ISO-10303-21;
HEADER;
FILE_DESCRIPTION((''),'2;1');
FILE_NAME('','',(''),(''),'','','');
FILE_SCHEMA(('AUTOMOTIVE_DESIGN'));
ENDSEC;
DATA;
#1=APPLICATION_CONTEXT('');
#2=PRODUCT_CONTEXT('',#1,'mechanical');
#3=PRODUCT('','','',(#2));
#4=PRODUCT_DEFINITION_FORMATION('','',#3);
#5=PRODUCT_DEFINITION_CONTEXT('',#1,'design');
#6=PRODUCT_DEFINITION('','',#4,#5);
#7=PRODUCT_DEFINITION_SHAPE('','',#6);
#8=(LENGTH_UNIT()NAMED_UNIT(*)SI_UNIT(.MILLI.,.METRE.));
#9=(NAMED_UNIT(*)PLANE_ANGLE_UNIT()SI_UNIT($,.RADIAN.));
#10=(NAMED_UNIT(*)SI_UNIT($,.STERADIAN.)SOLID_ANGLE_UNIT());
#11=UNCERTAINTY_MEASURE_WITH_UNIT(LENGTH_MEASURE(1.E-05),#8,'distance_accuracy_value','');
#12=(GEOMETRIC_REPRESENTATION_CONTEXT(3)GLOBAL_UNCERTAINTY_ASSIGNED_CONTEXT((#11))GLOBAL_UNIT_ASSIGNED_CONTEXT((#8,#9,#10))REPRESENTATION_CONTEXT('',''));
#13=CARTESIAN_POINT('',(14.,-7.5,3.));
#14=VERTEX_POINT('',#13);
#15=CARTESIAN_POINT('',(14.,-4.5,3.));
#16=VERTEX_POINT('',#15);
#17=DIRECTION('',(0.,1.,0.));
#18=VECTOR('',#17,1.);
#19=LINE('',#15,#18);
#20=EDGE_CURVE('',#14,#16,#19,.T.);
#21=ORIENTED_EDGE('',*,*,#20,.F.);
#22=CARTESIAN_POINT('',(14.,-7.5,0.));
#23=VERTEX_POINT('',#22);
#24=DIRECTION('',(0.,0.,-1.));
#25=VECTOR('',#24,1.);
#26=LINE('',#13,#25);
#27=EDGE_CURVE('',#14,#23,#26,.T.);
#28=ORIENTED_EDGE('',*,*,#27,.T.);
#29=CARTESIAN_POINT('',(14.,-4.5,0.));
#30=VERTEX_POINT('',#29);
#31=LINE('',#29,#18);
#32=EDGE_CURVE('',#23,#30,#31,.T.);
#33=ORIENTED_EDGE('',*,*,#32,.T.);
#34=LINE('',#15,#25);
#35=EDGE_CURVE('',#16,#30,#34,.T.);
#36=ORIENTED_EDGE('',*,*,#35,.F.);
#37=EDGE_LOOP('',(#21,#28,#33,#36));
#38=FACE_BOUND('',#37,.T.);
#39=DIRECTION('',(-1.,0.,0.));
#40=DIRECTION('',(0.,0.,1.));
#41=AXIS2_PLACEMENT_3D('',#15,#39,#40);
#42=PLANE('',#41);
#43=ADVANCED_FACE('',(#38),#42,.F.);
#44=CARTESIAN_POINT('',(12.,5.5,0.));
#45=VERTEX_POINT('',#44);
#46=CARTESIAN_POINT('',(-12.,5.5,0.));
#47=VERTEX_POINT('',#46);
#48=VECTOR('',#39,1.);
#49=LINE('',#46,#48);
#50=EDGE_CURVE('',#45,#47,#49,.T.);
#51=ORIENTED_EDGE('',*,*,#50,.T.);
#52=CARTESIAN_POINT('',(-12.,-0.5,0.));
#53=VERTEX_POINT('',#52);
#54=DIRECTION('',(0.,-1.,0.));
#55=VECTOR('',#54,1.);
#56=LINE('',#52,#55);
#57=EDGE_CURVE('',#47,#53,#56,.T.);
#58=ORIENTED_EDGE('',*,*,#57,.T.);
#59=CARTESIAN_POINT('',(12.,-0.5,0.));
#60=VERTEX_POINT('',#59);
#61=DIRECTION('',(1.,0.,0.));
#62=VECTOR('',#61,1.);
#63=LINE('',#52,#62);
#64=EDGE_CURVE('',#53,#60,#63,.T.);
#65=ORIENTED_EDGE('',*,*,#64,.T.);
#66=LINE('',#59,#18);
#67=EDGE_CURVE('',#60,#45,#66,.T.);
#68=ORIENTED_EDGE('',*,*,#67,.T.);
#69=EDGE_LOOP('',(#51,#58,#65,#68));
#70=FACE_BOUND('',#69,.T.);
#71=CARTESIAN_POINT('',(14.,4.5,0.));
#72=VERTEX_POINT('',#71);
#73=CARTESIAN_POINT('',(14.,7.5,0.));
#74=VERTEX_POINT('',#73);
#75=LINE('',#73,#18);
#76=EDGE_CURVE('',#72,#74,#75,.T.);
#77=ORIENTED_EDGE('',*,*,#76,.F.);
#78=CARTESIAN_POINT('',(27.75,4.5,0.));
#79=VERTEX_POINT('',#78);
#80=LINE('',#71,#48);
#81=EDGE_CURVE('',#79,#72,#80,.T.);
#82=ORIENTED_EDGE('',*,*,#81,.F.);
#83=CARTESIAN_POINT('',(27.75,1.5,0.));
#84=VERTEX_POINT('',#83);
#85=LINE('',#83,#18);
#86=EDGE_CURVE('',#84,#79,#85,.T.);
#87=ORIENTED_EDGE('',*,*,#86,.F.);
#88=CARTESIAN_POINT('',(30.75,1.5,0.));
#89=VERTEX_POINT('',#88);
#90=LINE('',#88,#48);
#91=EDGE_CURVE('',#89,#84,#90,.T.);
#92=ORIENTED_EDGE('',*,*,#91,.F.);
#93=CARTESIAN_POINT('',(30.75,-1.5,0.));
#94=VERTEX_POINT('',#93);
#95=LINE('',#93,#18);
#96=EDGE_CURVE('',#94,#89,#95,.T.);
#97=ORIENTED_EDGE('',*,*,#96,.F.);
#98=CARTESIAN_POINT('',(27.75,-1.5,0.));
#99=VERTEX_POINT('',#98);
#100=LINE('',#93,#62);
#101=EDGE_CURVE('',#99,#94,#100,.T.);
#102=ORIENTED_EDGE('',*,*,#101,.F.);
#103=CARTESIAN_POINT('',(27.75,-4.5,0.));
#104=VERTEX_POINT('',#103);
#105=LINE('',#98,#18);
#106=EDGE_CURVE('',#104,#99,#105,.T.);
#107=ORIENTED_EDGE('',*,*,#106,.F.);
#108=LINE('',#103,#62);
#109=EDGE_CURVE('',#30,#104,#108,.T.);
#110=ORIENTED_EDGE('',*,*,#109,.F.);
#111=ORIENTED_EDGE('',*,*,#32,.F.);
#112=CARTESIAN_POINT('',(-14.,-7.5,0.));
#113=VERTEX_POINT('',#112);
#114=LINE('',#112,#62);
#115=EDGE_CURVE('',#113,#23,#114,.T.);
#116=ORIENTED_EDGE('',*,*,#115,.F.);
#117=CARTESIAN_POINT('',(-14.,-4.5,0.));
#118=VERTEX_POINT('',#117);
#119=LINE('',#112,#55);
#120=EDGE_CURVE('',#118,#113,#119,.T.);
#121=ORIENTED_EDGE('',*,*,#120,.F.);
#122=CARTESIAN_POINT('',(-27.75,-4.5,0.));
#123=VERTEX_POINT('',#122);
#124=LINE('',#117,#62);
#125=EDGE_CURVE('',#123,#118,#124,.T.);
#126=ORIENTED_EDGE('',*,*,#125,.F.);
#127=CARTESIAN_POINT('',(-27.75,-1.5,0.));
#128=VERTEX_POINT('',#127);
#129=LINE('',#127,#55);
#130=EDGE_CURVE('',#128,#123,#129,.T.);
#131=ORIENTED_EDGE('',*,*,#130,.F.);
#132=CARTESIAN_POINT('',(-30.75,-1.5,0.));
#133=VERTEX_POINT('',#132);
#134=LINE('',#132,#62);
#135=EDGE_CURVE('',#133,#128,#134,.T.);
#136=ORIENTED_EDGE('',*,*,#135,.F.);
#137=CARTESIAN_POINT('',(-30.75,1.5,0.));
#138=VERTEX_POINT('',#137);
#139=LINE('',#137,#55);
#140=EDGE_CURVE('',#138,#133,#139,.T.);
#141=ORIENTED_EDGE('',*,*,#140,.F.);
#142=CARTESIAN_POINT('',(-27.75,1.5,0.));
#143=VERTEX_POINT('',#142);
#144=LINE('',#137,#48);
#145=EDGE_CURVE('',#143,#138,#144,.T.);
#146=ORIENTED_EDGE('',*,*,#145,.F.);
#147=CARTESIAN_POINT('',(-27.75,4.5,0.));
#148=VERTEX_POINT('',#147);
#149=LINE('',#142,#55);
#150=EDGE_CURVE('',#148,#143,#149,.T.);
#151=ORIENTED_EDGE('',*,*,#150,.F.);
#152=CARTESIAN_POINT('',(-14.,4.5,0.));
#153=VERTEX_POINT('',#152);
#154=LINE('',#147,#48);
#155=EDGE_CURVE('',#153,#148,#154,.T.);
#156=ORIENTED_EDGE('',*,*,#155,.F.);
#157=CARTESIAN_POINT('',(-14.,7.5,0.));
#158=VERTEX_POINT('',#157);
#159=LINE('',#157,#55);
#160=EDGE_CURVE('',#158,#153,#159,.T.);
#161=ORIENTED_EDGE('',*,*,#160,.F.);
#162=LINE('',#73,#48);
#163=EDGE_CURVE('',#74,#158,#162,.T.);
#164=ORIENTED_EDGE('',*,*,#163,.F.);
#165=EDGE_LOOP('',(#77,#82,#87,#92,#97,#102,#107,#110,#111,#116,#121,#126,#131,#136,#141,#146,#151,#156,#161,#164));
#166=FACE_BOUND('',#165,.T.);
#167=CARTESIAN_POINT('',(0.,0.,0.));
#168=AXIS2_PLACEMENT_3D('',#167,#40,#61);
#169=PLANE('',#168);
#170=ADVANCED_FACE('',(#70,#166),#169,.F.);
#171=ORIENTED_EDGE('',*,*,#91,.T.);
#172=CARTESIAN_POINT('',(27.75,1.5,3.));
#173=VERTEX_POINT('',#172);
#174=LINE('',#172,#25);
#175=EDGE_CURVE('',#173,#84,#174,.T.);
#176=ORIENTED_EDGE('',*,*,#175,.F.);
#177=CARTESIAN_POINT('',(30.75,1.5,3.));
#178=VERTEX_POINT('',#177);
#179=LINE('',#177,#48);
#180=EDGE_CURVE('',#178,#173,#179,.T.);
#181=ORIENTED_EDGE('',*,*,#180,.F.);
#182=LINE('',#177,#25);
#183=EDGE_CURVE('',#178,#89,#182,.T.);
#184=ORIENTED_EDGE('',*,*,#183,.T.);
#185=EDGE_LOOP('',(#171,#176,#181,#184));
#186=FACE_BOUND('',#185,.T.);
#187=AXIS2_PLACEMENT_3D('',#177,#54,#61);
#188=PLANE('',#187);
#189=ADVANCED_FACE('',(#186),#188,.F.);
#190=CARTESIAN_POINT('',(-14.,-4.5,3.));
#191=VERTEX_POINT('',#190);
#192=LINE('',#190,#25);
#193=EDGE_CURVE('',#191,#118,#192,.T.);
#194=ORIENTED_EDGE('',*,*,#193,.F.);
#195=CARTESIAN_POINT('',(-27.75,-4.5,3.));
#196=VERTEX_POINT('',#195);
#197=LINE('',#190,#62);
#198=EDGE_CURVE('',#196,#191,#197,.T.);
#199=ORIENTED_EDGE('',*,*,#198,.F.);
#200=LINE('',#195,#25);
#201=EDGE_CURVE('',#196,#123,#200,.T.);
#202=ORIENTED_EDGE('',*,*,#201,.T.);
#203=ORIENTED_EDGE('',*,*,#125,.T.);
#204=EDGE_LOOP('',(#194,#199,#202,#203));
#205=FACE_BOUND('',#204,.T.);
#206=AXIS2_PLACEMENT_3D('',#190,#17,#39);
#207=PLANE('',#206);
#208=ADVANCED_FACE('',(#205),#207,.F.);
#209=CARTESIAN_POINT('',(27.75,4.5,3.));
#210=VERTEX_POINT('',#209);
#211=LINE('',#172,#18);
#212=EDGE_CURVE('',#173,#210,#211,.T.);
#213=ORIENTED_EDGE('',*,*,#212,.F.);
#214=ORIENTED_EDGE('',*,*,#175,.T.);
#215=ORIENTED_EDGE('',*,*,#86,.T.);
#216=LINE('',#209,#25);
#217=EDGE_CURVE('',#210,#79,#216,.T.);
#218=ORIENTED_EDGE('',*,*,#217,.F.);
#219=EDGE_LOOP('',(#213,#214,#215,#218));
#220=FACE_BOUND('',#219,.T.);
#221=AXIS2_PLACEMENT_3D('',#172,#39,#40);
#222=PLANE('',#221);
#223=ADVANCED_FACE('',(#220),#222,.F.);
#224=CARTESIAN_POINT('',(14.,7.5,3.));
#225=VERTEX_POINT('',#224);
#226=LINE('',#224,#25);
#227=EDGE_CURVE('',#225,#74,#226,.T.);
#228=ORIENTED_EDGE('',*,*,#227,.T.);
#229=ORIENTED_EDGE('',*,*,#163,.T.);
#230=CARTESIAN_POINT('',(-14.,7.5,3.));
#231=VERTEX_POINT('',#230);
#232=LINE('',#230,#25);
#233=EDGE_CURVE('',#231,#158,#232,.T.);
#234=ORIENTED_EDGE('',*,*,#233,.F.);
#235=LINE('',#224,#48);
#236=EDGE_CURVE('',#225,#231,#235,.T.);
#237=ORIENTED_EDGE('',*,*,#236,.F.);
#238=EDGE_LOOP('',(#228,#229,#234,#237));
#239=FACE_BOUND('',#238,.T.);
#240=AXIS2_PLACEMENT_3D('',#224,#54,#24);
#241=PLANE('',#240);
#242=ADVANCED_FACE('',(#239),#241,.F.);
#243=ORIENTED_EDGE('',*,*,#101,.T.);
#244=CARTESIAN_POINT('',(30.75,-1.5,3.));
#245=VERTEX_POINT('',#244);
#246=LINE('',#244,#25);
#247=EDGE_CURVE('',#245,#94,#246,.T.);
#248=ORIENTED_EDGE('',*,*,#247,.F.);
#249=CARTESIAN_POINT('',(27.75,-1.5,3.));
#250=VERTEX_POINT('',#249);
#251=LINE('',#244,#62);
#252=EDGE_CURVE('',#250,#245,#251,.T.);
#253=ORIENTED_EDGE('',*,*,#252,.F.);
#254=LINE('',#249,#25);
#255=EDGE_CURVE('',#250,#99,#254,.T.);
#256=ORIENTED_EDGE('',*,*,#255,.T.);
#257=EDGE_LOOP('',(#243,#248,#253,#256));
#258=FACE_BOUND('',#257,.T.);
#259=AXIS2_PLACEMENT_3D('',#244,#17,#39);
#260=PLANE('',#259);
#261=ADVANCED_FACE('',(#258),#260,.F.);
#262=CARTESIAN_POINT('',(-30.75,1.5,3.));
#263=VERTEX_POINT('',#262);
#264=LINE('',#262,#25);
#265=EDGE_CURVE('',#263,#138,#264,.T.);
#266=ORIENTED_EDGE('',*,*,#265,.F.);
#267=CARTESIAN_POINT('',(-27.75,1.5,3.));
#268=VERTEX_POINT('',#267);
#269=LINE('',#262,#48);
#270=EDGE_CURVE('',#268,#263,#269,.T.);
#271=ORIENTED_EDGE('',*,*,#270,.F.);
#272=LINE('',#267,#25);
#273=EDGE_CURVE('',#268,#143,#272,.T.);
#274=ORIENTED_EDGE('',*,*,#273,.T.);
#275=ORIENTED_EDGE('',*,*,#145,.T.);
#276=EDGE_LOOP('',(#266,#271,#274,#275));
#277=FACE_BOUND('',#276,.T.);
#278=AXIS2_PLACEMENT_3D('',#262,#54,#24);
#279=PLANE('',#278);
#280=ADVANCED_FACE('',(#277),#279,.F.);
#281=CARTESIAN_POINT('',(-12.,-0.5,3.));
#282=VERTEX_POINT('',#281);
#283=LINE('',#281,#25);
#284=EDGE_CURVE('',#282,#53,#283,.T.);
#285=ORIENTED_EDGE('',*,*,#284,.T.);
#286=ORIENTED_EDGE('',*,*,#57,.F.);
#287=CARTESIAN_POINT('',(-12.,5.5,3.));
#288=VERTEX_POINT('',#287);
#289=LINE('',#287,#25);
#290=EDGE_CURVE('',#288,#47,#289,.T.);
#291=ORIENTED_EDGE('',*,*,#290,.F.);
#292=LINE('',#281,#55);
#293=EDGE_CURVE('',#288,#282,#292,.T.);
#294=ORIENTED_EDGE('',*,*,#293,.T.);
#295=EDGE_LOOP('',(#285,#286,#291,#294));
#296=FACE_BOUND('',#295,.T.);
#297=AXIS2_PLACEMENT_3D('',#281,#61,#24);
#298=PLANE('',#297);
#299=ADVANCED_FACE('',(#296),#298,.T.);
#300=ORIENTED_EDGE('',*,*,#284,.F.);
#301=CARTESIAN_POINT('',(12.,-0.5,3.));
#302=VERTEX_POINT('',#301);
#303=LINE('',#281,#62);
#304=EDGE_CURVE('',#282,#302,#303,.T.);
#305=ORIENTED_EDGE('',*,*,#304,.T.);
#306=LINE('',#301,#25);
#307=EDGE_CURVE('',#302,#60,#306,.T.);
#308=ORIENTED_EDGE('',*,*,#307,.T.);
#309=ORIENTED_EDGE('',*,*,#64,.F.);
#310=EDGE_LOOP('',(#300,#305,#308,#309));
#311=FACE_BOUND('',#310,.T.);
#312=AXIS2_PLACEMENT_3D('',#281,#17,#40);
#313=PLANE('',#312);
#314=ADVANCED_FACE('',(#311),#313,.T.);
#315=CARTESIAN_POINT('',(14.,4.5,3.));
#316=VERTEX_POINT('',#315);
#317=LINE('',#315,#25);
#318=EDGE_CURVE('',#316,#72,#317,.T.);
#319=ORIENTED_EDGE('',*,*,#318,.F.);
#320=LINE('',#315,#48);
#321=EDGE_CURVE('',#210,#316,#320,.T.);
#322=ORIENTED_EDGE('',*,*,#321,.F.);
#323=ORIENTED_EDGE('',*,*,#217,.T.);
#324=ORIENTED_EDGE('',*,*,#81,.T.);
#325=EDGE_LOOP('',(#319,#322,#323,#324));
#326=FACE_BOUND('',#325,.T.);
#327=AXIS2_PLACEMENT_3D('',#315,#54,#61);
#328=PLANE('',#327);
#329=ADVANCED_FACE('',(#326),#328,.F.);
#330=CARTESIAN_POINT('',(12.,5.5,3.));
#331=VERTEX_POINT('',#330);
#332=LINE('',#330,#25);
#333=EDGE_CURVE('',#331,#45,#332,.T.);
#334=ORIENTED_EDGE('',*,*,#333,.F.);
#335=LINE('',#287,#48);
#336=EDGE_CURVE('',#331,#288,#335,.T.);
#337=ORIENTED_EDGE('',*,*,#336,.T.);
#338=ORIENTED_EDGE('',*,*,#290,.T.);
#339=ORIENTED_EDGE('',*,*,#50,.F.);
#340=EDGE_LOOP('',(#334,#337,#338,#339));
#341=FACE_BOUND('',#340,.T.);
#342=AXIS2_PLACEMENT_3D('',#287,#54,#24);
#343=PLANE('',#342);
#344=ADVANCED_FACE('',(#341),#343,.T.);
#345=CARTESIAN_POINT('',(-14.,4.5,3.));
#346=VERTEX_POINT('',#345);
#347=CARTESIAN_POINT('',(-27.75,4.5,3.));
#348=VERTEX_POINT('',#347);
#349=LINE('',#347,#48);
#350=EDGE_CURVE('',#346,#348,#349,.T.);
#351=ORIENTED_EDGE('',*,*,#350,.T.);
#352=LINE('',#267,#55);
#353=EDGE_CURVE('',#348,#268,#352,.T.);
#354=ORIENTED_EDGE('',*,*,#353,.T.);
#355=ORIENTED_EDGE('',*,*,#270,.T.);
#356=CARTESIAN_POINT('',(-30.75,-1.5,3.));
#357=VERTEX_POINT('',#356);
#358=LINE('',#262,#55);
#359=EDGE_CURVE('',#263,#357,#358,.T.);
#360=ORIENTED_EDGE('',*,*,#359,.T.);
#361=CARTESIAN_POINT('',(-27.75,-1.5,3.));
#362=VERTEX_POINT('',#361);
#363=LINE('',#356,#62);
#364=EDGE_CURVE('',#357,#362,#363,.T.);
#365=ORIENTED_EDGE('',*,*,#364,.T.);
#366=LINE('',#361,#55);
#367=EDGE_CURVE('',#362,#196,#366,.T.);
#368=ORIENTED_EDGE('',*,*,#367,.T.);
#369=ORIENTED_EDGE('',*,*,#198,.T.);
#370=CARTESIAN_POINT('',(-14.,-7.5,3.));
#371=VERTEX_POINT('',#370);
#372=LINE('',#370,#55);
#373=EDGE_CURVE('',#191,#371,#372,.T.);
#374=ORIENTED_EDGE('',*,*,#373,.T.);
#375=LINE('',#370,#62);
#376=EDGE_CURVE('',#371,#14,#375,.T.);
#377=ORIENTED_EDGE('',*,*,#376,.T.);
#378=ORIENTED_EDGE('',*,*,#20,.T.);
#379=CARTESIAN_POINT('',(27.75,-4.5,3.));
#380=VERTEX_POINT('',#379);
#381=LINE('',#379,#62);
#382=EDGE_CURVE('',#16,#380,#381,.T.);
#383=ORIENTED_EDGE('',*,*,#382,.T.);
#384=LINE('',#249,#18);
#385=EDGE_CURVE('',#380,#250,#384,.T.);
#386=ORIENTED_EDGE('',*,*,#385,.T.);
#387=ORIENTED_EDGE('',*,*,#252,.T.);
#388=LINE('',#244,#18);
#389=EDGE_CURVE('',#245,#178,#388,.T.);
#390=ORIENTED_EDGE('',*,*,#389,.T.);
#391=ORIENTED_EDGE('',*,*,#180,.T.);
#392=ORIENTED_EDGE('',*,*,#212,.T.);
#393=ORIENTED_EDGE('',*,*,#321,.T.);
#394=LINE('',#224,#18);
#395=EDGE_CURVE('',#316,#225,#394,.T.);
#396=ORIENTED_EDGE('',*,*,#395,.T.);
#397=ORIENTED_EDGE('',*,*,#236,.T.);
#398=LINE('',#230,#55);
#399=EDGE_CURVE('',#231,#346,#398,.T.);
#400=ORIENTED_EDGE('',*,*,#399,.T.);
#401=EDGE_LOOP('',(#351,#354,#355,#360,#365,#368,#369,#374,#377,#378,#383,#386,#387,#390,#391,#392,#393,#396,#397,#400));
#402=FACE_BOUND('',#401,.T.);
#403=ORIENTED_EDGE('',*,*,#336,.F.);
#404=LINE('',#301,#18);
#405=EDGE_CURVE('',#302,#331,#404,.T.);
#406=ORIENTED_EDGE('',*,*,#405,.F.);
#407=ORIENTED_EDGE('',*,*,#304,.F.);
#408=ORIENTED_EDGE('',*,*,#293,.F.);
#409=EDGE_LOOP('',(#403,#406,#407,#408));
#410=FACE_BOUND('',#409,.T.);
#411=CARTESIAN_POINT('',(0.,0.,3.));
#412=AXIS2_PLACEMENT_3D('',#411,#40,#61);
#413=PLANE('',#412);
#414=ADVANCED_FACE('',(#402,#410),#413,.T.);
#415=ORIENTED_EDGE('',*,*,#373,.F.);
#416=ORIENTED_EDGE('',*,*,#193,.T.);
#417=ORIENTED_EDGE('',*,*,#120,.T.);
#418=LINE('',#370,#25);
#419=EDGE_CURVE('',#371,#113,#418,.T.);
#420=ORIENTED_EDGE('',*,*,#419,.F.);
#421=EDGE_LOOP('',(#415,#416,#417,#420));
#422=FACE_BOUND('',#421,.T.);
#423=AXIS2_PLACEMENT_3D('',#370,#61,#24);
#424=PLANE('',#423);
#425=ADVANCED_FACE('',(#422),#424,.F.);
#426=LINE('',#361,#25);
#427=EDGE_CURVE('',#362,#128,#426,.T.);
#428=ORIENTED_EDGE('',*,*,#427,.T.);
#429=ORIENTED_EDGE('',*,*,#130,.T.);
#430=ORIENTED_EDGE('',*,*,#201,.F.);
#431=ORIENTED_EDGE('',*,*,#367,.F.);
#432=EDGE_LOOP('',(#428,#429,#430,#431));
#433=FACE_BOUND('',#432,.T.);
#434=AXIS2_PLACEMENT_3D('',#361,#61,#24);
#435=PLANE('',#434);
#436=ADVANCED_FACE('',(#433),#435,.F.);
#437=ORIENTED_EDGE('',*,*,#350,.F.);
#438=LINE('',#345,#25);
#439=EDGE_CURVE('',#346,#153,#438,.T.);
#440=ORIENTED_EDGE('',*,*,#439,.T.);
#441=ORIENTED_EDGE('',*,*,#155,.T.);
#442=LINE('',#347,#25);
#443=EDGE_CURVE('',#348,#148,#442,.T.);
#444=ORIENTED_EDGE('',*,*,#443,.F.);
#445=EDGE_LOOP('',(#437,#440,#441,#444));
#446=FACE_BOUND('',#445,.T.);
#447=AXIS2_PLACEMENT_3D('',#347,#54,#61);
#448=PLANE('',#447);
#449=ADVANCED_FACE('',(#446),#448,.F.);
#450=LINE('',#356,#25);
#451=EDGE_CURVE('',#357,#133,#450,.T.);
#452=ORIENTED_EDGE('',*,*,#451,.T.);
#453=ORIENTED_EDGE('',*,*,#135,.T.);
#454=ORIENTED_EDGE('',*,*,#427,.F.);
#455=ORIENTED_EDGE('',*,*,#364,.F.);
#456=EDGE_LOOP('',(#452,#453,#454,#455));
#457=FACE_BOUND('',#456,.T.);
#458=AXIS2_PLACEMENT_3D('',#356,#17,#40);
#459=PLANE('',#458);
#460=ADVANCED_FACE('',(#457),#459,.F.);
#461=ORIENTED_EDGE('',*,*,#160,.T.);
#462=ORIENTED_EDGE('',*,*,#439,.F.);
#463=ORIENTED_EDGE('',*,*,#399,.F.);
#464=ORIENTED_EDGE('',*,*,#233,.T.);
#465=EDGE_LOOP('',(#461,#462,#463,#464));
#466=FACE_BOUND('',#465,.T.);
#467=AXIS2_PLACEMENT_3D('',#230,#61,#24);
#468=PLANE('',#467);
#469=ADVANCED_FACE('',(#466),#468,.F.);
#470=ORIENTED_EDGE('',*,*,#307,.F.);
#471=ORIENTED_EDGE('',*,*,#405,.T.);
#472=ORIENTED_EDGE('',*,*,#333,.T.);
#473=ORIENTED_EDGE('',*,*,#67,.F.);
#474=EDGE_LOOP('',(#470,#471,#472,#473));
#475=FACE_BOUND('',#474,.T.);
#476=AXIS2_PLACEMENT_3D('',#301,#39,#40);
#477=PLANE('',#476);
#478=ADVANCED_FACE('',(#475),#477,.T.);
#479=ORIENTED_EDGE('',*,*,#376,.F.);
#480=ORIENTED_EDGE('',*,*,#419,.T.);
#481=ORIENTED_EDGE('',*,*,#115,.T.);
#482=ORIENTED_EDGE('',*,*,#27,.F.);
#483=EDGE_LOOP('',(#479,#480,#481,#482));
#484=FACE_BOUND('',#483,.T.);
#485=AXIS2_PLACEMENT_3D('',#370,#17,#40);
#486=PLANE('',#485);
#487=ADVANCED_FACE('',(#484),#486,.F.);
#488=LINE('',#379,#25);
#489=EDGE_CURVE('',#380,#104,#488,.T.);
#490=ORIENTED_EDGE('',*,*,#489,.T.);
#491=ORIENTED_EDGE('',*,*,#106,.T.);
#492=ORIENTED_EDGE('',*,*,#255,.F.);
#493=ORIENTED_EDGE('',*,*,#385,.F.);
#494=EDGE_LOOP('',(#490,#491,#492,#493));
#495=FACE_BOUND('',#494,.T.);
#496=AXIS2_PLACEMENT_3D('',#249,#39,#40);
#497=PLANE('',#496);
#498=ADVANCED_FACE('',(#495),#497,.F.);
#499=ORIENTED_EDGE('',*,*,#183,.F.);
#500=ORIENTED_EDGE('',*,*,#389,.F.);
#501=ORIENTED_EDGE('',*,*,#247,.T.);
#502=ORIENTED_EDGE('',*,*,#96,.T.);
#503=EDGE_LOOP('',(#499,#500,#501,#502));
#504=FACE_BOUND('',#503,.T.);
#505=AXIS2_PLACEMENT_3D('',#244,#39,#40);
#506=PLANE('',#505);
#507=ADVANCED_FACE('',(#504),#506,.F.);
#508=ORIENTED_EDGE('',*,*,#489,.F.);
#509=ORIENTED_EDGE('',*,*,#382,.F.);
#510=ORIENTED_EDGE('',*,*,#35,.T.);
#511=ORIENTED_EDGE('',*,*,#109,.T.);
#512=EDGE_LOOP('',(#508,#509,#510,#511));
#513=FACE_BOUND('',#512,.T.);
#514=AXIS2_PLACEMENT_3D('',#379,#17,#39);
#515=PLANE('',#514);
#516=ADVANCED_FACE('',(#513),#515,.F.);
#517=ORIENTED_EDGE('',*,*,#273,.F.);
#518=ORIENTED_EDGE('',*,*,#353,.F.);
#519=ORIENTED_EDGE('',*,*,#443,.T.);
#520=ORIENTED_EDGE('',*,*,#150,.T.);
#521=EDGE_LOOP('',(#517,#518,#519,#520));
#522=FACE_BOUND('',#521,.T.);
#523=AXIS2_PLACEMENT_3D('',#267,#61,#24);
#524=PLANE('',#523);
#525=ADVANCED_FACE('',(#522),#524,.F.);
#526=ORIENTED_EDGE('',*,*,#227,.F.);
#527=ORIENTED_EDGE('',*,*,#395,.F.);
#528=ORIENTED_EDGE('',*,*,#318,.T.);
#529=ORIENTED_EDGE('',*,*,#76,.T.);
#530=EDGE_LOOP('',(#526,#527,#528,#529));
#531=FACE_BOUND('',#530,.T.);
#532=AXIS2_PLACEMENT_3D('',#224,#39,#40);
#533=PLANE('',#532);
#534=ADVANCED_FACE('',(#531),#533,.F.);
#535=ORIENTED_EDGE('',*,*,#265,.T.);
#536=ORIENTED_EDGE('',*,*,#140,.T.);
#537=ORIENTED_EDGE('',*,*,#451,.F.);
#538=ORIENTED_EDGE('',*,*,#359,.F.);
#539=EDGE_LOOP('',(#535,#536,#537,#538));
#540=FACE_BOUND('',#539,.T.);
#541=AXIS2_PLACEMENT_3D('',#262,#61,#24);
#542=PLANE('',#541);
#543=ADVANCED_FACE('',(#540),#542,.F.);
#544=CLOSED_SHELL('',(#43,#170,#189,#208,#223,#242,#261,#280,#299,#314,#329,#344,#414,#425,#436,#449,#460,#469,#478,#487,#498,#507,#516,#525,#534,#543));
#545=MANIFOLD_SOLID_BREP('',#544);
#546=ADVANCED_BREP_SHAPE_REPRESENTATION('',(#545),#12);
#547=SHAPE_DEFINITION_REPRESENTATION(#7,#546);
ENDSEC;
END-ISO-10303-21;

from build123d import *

# Parameters (mm, degrees)
SKETCH1_W           = 24
SKETCH1_H           = 6
BOSS_EXTRUDE1_DEPTH = 3


with BuildPart() as part:
    # Sketch1 → Boss-Extrude1 (new body)
    with BuildSketch(Plane.XY):
        Polygon((-14, -7.5), (14, -7.5), (14, -4.5), (27.75, -4.5), (27.75, -1.5), (30.75, -1.5), (30.75, 1.5), (27.75, 1.5), (27.75, 4.5), (14, 4.5), (14, 7.5), (-14, 7.5), (-14, 4.5), (-27.75, 4.5), (-27.75, 1.5), (-30.75, 1.5), (-30.75, -1.5), (-27.75, -1.5), (-27.75, -4.5), (-14, -4.5), align=None)
        with Locations((0, 2.5)):
            Rectangle(SKETCH1_W, SKETCH1_H, mode=Mode.SUBTRACT)
    extrude(amount=BOSS_EXTRUDE1_DEPTH)


solid = part.part
